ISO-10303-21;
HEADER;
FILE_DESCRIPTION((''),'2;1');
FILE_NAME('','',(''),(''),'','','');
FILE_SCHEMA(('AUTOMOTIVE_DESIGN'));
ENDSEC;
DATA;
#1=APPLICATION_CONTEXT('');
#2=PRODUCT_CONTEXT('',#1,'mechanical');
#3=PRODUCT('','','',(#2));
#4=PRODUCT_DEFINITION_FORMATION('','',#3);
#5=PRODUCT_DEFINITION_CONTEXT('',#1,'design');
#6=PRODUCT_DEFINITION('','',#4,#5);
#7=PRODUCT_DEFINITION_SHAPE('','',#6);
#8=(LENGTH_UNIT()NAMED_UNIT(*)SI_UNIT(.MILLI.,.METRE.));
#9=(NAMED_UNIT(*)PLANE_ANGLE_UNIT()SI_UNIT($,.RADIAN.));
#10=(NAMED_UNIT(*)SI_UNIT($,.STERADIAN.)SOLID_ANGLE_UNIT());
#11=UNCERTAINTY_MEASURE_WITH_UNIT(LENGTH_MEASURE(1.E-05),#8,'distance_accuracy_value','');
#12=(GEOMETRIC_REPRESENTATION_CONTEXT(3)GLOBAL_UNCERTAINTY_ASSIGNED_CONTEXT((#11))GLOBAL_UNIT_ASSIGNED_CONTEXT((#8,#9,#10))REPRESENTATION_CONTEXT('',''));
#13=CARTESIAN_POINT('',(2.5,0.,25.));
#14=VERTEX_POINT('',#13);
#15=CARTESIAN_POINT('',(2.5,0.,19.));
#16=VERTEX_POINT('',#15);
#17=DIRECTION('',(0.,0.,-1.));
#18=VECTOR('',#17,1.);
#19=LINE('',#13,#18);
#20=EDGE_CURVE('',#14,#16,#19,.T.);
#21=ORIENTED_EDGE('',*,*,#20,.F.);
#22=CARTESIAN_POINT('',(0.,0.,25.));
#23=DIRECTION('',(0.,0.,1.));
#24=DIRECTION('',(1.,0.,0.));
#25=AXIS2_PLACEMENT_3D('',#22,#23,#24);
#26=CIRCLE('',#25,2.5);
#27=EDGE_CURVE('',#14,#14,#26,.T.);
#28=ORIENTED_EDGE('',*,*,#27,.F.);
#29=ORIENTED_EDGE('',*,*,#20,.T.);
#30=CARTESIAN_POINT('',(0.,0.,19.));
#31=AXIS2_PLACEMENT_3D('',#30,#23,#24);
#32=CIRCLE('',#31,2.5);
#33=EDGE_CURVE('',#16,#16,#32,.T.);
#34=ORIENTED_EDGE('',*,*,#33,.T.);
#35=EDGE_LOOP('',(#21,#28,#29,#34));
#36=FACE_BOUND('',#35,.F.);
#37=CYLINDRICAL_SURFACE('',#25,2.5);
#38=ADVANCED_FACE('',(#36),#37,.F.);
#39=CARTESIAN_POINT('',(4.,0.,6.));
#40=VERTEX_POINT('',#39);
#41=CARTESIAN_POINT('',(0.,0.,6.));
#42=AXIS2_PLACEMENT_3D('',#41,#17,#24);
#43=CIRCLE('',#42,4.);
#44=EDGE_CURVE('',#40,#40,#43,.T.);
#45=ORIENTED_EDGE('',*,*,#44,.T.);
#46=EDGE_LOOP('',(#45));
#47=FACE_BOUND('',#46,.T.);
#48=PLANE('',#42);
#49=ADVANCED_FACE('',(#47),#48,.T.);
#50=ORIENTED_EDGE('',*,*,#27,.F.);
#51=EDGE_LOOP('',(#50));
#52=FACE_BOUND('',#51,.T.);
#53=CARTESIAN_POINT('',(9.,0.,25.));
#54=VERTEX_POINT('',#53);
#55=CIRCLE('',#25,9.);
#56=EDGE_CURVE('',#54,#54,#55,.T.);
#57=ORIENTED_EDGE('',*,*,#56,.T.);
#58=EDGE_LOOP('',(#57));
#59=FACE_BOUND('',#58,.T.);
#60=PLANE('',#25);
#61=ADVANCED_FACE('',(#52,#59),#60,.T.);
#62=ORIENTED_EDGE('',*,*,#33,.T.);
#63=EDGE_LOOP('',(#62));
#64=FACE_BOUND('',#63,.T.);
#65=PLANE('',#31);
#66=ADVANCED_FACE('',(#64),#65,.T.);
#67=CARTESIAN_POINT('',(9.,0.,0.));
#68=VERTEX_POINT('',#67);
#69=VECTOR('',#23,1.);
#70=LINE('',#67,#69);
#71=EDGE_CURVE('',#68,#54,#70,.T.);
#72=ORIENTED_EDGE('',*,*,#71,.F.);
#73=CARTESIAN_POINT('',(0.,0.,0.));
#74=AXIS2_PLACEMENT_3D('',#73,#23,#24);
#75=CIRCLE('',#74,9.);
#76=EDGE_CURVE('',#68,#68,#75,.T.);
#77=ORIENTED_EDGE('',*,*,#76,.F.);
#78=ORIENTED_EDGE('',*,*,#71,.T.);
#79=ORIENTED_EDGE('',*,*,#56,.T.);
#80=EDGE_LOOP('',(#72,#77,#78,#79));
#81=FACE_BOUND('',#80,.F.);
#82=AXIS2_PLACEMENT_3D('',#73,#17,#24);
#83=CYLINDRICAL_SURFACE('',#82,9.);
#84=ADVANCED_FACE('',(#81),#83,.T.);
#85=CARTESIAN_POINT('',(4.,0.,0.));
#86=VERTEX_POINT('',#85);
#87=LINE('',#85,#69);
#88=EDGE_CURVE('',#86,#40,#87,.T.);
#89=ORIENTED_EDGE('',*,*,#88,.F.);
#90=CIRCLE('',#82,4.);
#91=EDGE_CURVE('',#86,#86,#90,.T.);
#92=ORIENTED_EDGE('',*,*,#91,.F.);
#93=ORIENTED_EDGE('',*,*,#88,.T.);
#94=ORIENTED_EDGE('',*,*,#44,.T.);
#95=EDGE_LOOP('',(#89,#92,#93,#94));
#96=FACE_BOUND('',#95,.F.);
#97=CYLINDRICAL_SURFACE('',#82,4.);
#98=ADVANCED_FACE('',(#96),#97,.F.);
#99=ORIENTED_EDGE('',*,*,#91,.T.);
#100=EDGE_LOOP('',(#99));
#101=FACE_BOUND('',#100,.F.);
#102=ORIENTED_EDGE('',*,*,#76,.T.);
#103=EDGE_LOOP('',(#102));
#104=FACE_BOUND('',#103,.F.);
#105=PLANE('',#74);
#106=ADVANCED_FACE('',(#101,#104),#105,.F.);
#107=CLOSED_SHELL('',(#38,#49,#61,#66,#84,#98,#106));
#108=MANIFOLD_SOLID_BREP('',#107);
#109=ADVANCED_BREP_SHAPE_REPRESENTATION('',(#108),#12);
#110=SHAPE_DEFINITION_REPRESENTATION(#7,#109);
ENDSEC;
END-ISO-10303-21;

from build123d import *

# Parameters (mm, degrees)
SKETCH045_R     = 9
PAD027_DEPTH    = 25
SKETCH046_R     = 2.5
POCKET021_DEPTH = 6
SKETCH047_R     = 4
POCKET022_DEPTH = 6


with BuildPart() as part:
    # Sketch045 → Pad027 (new body)
    with BuildSketch(Plane.XY):
        Circle(SKETCH045_R)
    extrude(amount=PAD027_DEPTH)

    # Sketch046 (on Face3 of Pad027) → Pocket021 (cut)
    with BuildSketch(Plane.XY.offset(25)):
        Circle(SKETCH046_R)
    extrude(amount=-POCKET021_DEPTH, mode=Mode.SUBTRACT)

    # Sketch047 (on Face2 of Pocket021) → Pocket022 (cut)
    with BuildSketch(Plane(origin=(0, 0, 0), x_dir=(1, 0, 0), z_dir=(0, 0, -1))):
        Circle(SKETCH047_R)
    extrude(amount=-POCKET022_DEPTH, mode=Mode.SUBTRACT)


solid = part.part
